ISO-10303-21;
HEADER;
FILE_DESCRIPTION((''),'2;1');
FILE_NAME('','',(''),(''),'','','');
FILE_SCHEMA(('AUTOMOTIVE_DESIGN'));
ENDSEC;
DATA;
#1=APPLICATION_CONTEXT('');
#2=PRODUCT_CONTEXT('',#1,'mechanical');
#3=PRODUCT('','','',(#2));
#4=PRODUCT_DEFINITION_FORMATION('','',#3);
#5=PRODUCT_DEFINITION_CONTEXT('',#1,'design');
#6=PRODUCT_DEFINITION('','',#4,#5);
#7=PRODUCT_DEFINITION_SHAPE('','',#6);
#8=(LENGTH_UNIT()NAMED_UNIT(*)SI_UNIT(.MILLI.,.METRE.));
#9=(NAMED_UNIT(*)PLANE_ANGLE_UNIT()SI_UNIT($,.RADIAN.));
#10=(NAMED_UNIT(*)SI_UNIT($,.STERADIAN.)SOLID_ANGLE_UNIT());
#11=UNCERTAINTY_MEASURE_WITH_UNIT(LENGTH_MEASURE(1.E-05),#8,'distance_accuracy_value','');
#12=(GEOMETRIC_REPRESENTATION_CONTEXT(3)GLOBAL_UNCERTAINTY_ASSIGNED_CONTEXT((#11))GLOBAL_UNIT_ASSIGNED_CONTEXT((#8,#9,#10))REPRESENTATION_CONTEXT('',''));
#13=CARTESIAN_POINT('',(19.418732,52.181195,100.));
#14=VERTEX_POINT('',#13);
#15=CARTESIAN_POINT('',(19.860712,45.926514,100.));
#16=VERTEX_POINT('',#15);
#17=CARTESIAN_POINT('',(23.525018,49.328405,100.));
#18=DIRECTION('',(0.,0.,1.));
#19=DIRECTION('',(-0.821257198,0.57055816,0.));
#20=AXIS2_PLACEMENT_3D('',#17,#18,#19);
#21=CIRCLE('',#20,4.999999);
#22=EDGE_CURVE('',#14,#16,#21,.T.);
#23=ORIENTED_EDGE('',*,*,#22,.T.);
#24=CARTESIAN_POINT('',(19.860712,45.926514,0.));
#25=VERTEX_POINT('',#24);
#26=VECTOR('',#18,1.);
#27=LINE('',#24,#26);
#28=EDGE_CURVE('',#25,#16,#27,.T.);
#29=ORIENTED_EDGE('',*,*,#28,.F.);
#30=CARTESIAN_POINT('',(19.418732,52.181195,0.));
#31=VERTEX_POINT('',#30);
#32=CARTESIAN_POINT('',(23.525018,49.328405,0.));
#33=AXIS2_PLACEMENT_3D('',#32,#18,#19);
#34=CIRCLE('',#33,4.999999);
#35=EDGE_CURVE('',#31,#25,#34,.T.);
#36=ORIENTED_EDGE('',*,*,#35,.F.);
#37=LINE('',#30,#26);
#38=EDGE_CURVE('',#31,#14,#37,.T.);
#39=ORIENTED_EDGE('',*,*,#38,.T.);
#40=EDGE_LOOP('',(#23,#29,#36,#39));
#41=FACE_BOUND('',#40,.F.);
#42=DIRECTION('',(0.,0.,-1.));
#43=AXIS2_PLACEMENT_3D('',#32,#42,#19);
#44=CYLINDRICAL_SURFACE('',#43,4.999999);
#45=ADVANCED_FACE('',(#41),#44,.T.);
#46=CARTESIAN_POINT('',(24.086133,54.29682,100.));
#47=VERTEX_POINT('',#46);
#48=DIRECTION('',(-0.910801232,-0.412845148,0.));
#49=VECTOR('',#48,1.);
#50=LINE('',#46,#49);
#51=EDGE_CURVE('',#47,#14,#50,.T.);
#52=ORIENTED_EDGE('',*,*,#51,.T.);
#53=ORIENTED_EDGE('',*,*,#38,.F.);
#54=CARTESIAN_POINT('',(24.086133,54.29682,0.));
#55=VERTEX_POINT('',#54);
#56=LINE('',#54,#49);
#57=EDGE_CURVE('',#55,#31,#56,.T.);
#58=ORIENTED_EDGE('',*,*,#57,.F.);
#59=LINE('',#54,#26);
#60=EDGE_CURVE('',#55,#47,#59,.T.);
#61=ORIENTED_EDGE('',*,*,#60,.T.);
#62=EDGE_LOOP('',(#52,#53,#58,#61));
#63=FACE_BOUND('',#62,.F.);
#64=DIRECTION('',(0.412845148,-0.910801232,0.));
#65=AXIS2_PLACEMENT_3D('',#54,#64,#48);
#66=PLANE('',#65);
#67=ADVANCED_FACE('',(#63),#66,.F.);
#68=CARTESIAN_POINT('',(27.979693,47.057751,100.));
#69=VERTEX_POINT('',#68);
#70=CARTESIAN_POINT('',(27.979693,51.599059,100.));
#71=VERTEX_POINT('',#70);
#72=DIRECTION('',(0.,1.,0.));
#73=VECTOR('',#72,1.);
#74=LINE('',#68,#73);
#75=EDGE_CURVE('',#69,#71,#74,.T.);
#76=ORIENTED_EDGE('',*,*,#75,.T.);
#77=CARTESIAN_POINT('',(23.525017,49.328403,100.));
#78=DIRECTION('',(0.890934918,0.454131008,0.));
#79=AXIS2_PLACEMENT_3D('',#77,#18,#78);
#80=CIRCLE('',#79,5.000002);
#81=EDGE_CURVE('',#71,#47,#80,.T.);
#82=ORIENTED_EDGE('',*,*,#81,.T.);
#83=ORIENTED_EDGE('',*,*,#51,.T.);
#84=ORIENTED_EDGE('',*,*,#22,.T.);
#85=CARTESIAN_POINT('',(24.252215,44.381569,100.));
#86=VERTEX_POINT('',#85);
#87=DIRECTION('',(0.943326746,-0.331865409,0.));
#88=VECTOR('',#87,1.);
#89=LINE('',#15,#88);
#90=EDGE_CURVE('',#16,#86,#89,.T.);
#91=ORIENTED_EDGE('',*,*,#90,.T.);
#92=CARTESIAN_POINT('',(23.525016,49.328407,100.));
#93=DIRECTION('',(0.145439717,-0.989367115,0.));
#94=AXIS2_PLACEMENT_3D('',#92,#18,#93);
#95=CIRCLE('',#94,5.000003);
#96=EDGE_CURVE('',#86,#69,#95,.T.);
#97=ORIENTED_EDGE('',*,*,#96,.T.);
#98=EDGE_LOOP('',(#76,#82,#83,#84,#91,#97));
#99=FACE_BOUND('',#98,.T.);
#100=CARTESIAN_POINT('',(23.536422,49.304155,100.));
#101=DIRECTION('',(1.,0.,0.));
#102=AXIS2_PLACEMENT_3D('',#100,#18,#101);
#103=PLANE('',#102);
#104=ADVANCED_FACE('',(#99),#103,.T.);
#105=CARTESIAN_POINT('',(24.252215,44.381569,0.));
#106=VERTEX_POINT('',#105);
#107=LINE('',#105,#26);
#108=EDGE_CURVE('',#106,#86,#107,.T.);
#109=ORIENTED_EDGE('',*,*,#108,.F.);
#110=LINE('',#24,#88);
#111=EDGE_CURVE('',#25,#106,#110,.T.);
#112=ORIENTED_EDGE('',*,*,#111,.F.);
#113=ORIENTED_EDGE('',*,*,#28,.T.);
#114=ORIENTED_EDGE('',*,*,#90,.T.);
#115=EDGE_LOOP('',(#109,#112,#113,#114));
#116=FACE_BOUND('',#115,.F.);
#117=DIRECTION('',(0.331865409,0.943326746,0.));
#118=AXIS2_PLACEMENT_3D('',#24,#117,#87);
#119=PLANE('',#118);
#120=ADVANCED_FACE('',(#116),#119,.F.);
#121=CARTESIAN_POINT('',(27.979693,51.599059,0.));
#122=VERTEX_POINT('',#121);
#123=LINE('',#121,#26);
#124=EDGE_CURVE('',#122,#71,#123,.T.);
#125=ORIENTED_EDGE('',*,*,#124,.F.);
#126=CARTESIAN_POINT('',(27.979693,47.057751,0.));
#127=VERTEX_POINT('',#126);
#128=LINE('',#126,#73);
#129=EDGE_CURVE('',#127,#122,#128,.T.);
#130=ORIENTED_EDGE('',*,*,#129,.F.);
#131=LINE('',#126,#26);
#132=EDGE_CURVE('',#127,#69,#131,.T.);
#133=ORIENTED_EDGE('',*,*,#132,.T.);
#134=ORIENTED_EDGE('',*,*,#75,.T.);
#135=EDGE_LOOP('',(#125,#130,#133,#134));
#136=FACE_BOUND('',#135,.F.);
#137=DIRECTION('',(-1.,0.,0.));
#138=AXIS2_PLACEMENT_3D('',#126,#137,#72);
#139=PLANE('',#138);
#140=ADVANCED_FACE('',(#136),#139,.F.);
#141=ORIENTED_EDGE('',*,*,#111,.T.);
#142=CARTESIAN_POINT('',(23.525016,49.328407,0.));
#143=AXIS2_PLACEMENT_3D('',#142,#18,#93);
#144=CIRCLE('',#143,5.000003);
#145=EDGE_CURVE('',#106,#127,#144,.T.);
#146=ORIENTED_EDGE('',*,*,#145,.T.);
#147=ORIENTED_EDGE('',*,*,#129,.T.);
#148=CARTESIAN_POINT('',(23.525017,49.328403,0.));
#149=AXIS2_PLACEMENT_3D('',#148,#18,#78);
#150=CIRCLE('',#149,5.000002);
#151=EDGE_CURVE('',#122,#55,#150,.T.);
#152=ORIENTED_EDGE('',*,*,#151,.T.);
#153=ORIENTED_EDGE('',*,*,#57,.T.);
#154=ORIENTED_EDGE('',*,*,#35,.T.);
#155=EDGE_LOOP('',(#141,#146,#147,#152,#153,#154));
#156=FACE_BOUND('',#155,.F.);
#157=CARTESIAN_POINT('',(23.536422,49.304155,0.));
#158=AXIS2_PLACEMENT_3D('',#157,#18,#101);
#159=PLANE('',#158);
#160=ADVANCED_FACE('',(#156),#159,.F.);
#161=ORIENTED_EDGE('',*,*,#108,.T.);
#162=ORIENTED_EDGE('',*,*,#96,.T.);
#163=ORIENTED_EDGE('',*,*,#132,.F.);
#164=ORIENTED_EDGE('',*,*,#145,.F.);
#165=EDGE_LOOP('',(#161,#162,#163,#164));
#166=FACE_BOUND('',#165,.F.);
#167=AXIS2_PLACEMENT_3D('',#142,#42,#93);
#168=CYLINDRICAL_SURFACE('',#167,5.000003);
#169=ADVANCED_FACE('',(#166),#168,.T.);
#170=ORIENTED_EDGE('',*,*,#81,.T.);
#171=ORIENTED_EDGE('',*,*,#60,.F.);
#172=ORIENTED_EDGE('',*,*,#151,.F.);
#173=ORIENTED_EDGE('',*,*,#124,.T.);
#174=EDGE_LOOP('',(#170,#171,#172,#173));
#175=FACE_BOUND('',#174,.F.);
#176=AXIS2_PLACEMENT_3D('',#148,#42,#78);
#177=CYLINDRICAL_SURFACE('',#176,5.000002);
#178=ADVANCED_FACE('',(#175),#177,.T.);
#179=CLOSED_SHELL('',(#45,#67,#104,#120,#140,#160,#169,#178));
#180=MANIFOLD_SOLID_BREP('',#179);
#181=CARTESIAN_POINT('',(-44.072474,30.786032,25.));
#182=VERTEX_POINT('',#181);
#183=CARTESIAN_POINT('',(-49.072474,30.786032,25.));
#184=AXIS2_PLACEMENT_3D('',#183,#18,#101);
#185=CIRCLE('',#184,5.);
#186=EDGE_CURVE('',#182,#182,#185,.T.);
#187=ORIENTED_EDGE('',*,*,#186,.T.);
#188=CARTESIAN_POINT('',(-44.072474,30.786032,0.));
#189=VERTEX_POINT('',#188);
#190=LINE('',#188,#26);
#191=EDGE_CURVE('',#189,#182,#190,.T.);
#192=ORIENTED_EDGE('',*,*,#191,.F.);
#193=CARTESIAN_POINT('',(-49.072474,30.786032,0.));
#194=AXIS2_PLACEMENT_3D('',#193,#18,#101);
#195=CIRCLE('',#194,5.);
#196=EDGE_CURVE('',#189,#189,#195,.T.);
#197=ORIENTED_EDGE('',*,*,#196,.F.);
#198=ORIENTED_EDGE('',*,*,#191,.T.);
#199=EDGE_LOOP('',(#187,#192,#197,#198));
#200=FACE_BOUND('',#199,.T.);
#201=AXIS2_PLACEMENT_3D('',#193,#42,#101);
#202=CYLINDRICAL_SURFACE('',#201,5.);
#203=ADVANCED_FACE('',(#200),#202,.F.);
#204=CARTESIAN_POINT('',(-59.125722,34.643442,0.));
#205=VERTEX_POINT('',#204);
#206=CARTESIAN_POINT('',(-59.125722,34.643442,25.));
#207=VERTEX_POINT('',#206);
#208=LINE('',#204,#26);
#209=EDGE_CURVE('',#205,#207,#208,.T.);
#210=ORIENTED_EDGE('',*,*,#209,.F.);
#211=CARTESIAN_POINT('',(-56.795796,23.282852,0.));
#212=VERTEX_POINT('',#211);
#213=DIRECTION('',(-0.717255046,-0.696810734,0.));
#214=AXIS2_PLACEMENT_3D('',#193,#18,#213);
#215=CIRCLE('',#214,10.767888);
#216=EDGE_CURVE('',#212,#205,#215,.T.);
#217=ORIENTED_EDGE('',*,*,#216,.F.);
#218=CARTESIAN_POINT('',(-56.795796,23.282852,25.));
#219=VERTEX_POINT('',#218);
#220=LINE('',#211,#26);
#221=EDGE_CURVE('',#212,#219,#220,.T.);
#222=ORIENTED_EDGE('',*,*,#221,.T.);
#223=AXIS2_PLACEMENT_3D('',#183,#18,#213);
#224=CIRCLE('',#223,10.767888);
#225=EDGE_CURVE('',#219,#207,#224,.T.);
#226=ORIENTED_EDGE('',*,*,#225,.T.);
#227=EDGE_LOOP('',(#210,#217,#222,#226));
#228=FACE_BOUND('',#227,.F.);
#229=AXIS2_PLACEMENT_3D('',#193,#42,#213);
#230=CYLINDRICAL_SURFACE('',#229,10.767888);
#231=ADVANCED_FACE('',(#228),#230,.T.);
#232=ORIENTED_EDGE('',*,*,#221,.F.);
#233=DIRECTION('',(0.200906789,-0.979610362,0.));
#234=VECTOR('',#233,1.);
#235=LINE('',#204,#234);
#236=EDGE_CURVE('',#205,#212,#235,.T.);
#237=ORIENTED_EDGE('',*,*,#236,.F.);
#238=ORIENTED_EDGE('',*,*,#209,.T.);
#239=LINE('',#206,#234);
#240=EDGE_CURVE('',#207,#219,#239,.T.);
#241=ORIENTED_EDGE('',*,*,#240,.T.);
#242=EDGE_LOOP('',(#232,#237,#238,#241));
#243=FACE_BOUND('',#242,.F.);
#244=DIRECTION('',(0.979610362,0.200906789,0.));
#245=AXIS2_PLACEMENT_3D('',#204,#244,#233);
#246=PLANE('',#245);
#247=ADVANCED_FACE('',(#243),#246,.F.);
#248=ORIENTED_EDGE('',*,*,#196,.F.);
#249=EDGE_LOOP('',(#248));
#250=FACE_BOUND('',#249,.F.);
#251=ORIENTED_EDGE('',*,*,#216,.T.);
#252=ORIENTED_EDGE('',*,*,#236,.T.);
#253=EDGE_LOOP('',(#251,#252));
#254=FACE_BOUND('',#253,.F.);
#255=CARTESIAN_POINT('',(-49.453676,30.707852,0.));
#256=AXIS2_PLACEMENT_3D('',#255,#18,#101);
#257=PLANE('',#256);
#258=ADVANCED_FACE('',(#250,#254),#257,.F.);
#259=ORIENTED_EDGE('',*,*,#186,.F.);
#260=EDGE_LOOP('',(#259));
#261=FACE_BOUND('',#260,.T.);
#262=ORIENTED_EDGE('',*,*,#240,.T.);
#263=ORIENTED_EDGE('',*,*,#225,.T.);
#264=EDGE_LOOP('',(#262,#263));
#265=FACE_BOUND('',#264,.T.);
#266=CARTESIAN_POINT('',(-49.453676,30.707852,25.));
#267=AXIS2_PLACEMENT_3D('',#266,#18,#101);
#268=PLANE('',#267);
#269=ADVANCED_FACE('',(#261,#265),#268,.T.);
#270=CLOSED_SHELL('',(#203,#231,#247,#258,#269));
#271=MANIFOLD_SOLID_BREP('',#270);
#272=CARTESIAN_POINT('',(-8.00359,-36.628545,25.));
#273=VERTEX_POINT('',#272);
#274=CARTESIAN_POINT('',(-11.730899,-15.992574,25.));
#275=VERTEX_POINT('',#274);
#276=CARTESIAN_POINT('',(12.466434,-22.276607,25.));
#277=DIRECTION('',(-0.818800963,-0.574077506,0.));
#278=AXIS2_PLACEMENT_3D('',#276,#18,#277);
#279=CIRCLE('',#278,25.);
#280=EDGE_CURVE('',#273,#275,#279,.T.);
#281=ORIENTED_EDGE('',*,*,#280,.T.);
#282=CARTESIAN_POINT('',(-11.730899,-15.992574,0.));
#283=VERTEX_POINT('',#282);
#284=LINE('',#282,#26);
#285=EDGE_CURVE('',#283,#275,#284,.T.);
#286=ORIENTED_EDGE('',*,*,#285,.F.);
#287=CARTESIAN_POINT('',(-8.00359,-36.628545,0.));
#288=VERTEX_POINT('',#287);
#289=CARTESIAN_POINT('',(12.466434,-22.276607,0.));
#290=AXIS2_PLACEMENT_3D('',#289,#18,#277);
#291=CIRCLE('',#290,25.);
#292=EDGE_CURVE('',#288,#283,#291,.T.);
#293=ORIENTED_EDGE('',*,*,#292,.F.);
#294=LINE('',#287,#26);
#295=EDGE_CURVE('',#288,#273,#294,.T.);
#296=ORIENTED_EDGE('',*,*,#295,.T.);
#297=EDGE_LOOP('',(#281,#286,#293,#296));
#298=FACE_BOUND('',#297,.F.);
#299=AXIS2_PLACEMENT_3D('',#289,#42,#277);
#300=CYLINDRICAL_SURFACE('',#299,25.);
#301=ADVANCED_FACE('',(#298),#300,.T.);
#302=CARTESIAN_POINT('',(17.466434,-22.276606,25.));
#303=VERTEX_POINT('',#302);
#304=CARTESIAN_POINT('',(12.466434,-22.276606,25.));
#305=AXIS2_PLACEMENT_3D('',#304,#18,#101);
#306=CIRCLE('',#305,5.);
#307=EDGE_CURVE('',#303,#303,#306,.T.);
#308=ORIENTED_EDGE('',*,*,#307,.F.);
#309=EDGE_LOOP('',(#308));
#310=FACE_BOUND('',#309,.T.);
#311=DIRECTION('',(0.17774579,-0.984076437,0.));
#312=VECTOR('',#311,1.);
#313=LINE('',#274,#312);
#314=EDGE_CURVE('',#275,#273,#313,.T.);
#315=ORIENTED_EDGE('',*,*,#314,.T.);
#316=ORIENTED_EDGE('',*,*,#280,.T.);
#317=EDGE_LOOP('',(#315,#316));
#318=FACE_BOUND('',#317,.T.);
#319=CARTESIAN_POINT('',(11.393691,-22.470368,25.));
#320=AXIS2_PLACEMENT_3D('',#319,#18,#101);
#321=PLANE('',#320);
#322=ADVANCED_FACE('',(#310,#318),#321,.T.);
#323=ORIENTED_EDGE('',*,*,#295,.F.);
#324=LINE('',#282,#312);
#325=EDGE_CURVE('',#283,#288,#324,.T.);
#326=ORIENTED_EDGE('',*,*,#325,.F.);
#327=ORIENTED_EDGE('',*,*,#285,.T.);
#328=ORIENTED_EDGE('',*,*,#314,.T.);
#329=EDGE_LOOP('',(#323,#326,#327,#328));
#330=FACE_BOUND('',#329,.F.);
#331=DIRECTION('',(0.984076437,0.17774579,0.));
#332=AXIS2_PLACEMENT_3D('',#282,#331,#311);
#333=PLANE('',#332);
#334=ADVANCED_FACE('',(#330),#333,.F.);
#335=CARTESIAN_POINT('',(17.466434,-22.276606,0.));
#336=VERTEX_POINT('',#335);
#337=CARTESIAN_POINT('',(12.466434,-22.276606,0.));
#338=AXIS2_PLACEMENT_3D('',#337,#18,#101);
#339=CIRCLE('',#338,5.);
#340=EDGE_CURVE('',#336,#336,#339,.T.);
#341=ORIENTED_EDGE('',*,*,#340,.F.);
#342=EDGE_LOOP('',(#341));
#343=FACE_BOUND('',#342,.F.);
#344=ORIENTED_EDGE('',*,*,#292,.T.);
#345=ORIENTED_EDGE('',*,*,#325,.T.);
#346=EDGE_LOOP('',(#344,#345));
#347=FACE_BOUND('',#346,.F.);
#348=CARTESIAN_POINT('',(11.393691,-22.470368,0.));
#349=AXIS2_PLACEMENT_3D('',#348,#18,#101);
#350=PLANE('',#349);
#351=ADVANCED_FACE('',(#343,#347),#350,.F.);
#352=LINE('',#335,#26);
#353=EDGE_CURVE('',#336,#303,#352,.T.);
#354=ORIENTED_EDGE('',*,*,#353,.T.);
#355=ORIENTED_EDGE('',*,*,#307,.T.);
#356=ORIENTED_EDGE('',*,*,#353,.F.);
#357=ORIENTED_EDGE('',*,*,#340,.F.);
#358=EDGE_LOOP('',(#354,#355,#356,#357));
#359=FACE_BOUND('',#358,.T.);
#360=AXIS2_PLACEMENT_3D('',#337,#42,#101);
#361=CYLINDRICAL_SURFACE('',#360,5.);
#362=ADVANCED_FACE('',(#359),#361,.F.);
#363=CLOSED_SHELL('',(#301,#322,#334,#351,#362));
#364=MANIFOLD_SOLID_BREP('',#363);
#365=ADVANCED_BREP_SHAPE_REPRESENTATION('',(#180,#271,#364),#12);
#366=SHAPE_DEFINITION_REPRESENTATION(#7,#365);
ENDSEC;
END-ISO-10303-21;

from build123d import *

# Parameters (mm, degrees)
F0_R     = 5
F1_DEPTH = 25
F2_DEPTH = 25
F3_DEPTH = 100


with BuildPart() as f1:
    # F0 (on Top) → F1 (new body)
    with BuildSketch(Plane.XY):
        with BuildLine():
            Line((-59.125722, 34.643442), (-56.795796, 23.282852))
            ThreePointArc((-56.795796, 23.282852), (-38.52414, 32.949374), (-59.125722, 34.643442))
        make_face()
        with Locations((-49.072474, 30.786032)):
            Circle(F0_R, mode=Mode.SUBTRACT)
    extrude(amount=F1_DEPTH)


with BuildPart() as f2:
    # F0 (on Top) → F2 (new body)
    with BuildSketch(Plane.XY):
        with BuildLine():
            Line((-11.730899, -15.992574), (-8.00359, -36.628545))
            ThreePointArc((-8.00359, -36.628545), (37.068345, -17.832961), (-11.730899, -15.992574))
        make_face()
        with Locations((12.466434, -22.276606)):
            Circle(F0_R, mode=Mode.SUBTRACT)
    extrude(amount=F2_DEPTH)


with BuildPart() as f3:
    # F0 (on Top) → F3 (new body)
    with BuildSketch(Plane.XY):
        with BuildLine():
            Line((24.086133, 54.29682), (19.418732, 52.181195))
            ThreePointArc((19.418732, 52.181195), (18.537455, 48.975964), (19.860712, 45.926514))
            Line((19.860712, 45.926514), (24.252215, 44.381569))
            ThreePointArc((24.252215, 44.381569), (26.441083, 45.266809), (27.979693, 47.057751))
            Line((27.979693, 47.057751), (27.979693, 51.599059))
            ThreePointArc((27.979693, 51.599059), (26.372651, 53.438269), (24.086133, 54.29682))
        make_face()
    extrude(amount=F3_DEPTH)


solid = Compound([f1.part, f2.part, f3.part])
